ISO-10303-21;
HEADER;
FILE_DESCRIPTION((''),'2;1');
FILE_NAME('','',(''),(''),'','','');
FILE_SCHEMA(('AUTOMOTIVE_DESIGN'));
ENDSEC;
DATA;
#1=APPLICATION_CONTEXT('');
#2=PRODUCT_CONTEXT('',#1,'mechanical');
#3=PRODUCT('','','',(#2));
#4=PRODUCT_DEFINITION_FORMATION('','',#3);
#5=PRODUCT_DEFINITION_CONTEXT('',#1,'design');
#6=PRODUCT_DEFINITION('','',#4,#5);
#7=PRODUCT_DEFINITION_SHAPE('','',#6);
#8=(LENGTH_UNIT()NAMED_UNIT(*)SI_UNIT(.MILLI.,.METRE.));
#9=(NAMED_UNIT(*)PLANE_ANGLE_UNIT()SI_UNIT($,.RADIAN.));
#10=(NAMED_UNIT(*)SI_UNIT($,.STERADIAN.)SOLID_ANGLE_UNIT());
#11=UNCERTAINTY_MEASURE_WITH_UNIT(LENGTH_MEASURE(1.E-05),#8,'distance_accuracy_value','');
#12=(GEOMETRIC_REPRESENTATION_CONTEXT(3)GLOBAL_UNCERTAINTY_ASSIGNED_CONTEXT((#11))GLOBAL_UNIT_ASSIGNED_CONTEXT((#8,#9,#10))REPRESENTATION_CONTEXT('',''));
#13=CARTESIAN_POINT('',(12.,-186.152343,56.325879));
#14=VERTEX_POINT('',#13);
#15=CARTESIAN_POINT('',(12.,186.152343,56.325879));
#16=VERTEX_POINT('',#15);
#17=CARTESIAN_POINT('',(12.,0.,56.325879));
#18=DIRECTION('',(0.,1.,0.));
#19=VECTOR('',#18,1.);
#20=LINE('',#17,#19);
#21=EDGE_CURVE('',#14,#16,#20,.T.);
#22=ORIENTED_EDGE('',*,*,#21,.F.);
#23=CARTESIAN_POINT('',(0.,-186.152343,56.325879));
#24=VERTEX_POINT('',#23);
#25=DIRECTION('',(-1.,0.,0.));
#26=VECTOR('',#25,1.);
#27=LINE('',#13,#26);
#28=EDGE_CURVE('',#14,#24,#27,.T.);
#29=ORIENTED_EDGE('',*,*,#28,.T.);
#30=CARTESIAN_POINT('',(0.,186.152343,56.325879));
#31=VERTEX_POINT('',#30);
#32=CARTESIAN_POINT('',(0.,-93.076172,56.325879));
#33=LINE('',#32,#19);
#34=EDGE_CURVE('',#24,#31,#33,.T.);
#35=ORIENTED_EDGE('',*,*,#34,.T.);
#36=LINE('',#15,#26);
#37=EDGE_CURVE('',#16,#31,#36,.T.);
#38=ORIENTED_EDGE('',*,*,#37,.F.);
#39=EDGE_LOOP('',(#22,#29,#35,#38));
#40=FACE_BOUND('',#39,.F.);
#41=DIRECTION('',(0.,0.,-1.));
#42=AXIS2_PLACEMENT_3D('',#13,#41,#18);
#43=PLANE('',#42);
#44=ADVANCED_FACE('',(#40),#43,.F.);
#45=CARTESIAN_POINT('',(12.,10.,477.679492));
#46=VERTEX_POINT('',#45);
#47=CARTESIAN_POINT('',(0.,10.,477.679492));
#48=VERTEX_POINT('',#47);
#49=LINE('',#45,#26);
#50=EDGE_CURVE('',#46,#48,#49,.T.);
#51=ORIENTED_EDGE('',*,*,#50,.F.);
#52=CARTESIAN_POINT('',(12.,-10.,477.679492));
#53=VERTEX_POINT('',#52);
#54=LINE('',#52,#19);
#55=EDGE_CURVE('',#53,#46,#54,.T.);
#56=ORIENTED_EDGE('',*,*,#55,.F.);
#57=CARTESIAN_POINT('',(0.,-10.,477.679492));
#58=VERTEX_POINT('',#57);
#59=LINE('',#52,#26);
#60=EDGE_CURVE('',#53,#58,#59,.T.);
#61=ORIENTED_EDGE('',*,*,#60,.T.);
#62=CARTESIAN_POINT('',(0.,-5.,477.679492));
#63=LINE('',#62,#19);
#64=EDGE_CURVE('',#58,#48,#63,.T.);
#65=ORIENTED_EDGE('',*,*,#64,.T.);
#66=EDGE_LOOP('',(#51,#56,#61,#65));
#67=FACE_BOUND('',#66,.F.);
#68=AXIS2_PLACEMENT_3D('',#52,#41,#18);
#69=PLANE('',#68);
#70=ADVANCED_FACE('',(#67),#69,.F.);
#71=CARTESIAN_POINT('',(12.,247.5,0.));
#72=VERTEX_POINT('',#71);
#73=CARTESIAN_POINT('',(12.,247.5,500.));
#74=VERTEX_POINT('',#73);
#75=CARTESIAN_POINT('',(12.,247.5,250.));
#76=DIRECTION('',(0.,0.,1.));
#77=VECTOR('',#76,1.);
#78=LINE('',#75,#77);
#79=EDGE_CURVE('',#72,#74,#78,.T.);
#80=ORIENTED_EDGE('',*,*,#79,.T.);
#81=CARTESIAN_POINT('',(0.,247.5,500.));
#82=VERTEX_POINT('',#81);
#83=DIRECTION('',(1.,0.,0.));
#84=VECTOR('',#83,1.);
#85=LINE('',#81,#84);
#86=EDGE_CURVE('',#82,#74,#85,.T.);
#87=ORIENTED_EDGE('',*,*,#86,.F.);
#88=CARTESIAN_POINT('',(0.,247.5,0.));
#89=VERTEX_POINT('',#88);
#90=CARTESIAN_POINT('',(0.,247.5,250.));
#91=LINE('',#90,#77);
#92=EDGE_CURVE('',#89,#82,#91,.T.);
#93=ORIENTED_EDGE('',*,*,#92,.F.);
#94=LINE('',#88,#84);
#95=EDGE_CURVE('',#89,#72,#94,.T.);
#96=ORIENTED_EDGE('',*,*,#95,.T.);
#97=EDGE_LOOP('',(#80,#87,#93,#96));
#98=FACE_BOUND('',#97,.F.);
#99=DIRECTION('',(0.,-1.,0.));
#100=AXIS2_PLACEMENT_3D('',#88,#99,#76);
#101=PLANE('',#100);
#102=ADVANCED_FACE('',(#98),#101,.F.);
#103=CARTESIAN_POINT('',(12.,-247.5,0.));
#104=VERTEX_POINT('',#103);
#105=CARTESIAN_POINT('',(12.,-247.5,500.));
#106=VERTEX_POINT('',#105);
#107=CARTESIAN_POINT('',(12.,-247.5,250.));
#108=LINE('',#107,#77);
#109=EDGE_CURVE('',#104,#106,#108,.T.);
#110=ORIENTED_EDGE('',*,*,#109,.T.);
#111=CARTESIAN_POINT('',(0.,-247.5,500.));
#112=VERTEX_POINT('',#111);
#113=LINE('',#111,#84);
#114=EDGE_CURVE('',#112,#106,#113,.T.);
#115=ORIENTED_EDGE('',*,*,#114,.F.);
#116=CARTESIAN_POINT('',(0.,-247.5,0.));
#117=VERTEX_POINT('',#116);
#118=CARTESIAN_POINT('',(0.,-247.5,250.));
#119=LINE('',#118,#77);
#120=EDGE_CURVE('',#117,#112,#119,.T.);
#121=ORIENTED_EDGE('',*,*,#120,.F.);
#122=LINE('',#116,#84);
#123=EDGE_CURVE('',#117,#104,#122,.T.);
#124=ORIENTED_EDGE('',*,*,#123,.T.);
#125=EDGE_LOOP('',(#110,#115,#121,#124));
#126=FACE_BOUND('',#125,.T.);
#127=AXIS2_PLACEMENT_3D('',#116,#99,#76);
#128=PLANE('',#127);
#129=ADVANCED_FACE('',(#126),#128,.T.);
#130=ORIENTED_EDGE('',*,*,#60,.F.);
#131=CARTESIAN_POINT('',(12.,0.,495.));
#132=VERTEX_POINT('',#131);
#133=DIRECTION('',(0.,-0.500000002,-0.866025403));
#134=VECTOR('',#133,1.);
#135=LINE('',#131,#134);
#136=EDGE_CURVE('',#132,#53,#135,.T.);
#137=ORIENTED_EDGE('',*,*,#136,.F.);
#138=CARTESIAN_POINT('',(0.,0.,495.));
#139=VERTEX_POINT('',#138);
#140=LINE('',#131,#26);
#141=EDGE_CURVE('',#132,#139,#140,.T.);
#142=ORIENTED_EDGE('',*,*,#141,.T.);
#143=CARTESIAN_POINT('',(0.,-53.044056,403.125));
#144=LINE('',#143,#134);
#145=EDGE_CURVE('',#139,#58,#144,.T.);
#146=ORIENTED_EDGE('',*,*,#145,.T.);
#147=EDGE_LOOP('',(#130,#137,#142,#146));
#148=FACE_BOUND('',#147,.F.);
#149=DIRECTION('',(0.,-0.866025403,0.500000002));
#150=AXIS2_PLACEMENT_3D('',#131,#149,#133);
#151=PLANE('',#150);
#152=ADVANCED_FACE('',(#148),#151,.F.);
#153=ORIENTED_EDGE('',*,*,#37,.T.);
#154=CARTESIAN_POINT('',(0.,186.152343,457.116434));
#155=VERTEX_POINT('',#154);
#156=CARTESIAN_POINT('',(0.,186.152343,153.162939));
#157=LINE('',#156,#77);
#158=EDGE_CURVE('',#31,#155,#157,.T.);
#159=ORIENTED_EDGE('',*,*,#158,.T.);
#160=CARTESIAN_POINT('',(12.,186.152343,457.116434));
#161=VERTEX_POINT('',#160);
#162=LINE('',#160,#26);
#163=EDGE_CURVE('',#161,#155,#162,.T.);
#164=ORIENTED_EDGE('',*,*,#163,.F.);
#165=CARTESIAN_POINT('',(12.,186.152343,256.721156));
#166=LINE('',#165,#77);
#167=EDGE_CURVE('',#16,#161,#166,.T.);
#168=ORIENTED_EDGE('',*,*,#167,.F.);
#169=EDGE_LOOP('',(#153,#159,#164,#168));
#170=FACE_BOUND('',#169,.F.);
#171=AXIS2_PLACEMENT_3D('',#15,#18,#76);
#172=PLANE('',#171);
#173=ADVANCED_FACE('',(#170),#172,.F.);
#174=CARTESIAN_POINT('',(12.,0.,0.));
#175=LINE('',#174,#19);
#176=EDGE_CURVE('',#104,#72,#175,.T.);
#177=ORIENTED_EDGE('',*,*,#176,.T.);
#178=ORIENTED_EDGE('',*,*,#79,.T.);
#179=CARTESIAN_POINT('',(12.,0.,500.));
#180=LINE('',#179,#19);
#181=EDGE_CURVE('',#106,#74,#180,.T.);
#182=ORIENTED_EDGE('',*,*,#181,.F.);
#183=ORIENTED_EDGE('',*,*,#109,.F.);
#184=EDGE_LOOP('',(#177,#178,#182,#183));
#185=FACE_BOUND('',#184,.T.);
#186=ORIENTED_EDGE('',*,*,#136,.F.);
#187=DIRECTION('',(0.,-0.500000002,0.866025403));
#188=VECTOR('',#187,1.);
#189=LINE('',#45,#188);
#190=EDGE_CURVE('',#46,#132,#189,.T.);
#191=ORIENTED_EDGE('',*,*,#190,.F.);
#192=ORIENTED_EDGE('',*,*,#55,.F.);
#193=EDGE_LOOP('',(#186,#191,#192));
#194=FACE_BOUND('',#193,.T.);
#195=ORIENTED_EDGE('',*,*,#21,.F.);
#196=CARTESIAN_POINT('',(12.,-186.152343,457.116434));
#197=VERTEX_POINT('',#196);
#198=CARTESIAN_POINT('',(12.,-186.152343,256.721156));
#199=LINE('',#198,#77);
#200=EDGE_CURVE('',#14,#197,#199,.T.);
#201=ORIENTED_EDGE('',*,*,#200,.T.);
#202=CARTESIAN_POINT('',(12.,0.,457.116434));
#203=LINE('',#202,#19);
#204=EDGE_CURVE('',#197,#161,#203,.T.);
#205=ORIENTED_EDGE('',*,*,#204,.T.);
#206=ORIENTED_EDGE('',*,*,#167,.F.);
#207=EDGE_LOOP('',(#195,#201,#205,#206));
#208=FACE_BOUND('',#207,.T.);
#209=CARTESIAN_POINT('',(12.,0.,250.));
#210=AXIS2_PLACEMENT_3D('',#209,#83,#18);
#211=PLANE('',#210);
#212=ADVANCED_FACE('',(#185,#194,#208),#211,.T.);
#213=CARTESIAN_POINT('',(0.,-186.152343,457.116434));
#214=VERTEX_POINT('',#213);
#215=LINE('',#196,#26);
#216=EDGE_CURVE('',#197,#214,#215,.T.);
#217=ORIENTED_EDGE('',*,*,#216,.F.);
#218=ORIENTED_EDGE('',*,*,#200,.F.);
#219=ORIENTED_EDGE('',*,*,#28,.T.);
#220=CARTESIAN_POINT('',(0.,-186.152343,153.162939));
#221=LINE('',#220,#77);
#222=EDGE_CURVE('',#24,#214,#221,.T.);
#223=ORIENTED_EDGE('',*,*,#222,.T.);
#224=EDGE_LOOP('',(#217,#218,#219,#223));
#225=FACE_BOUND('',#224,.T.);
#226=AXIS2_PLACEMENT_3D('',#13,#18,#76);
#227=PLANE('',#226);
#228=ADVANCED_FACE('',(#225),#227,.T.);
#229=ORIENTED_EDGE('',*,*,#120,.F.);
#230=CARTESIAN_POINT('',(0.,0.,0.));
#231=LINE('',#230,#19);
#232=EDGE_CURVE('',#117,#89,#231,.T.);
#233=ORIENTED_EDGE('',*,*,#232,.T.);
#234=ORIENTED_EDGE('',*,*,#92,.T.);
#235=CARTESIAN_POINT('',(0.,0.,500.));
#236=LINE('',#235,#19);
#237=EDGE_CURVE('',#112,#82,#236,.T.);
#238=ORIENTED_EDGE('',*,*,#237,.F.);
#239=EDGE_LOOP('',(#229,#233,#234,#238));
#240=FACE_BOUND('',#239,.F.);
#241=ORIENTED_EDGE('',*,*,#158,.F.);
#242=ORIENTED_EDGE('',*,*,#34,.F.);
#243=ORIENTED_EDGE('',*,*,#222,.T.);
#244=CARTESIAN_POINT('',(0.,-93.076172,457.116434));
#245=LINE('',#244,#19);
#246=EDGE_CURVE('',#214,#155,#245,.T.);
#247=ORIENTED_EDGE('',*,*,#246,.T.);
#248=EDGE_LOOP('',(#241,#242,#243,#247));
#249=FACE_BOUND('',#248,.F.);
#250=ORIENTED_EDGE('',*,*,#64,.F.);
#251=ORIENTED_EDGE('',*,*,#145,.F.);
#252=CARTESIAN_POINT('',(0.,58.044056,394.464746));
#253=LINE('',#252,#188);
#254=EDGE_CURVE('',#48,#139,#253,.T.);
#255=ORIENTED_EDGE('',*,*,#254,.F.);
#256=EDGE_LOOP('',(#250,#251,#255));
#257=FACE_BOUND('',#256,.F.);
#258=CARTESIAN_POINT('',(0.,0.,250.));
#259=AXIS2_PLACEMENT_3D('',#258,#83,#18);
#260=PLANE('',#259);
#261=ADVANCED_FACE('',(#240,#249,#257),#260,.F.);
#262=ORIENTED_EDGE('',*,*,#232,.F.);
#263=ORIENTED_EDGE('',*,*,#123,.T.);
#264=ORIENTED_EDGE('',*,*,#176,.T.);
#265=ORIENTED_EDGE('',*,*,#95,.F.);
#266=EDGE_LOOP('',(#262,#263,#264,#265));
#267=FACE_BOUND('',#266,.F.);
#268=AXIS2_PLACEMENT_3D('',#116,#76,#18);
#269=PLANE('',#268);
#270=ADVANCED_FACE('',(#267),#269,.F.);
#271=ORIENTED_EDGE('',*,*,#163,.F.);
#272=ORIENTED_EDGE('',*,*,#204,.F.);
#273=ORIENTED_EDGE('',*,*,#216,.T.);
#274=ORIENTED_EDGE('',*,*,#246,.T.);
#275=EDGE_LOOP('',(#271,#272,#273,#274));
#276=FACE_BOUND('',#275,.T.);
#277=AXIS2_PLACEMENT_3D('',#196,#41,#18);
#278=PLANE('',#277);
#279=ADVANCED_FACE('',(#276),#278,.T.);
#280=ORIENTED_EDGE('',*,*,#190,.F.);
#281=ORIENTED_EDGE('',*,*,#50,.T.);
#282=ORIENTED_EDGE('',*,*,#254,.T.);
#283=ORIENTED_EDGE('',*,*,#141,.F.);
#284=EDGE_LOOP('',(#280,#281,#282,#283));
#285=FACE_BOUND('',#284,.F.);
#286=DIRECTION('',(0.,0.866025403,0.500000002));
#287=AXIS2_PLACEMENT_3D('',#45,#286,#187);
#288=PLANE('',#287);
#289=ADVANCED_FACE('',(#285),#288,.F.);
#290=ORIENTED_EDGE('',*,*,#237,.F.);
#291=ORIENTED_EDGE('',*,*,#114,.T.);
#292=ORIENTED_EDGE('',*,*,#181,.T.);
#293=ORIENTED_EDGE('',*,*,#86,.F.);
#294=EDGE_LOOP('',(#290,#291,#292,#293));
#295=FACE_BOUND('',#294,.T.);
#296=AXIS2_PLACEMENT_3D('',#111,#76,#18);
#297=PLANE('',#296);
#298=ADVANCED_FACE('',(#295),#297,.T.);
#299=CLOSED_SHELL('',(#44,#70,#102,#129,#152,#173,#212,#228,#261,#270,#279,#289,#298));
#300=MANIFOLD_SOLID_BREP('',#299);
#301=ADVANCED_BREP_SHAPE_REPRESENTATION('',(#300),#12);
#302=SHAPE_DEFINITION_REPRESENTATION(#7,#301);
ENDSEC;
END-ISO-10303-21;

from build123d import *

# Parameters (mm, degrees)
SKETCH_W     = 495
SKETCH_H     = 500
PAD_DEPTH    = 12
SKETCH001_W  = 372.304686
SKETCH001_H  = 400.790555
POCKET_DEPTH = 12.001


with BuildPart() as part:
    # Sketch → Pad (new body)
    with BuildSketch(Plane.YZ):
        with Locations((0, 250)):
            Rectangle(SKETCH_W, SKETCH_H)
    extrude(amount=PAD_DEPTH)

    # Sketch001 (on Face6 of Pad) → Pocket (cut, through all)
    with BuildSketch(Plane.YZ.offset(12)):
        Polygon((0, 495), (-10, 477.679492), (10, 477.679492), align=None)
        with Locations((0, 256.721156)):
            Rectangle(SKETCH001_W, SKETCH001_H)
    extrude(amount=-POCKET_DEPTH, mode=Mode.SUBTRACT)


solid = part.part
